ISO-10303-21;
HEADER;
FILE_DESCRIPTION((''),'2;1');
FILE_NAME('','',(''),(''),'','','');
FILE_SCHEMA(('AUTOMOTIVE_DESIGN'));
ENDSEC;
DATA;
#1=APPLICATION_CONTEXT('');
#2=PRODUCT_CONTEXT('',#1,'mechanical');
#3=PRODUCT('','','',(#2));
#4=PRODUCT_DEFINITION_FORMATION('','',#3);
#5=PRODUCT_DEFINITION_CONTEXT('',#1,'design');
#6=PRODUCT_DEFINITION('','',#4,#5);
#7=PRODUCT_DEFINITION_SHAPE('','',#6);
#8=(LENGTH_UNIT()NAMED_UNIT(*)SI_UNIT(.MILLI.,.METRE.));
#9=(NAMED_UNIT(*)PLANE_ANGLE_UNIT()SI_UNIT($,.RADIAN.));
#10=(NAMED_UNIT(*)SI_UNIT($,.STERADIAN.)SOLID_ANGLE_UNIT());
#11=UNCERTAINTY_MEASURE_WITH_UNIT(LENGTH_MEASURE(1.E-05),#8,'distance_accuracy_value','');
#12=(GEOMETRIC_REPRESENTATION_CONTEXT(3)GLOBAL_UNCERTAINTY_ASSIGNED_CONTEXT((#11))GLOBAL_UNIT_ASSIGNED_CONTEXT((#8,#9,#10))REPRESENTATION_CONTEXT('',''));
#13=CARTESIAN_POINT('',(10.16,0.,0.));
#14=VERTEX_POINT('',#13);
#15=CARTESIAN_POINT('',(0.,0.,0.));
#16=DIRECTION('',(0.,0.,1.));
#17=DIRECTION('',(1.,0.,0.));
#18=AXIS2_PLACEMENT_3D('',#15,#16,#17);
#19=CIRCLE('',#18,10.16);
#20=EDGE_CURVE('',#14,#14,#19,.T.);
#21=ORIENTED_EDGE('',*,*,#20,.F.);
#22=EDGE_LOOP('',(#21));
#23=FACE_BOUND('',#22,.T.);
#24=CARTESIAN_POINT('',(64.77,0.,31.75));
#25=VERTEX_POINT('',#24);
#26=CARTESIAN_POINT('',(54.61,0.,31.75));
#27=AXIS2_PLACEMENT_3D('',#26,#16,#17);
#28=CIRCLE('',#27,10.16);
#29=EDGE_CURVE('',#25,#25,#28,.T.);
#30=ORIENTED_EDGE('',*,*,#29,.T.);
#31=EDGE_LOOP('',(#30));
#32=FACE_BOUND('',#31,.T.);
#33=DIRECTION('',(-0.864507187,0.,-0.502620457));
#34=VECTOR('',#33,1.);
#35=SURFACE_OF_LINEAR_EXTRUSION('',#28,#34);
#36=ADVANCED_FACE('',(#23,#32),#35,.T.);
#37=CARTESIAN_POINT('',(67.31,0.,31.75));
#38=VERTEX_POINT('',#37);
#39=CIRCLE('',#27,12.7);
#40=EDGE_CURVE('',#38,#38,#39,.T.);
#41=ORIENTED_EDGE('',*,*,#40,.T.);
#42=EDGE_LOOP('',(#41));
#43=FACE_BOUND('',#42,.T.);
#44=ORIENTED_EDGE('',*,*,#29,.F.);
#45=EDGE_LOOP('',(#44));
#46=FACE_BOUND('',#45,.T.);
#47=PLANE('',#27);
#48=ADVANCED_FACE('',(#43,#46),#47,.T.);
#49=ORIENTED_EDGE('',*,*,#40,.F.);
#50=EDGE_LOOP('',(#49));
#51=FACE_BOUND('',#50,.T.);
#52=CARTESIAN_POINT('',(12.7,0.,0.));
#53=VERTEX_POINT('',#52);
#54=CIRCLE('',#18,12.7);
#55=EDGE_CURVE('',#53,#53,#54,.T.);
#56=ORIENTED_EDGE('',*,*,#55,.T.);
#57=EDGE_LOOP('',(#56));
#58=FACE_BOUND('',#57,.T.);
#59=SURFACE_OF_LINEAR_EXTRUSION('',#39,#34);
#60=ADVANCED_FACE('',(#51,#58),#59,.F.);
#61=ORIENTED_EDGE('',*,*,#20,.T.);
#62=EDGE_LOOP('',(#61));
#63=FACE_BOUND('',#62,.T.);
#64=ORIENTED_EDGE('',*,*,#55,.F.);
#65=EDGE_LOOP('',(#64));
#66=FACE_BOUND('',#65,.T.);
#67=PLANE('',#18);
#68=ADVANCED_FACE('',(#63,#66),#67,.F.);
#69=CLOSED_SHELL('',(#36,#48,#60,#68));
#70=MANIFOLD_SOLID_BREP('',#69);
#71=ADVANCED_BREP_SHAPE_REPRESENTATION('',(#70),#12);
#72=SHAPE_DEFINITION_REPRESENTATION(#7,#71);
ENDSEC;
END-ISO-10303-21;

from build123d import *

# Parameters (mm, degrees)
SKETCH1_R   = 12.7
SKETCH1_R_2 = 10.16


with BuildPart() as part:
    # Sweep1: sweep along a path in Sketch2
    with BuildLine(Plane(origin=(0, 0, 0), x_dir=(1, 0, 0), z_dir=(0, 1, 0))) as sweep1_path:
        Line((0, 0), (54.61, -31.75))
    # Sketch1 → Sweep1 (sweep)
    with BuildSketch(Plane.XY):
        Circle(SKETCH1_R)
        Circle(SKETCH1_R_2, mode=Mode.SUBTRACT)
    sweep(path=sweep1_path.line)


solid = part.part
